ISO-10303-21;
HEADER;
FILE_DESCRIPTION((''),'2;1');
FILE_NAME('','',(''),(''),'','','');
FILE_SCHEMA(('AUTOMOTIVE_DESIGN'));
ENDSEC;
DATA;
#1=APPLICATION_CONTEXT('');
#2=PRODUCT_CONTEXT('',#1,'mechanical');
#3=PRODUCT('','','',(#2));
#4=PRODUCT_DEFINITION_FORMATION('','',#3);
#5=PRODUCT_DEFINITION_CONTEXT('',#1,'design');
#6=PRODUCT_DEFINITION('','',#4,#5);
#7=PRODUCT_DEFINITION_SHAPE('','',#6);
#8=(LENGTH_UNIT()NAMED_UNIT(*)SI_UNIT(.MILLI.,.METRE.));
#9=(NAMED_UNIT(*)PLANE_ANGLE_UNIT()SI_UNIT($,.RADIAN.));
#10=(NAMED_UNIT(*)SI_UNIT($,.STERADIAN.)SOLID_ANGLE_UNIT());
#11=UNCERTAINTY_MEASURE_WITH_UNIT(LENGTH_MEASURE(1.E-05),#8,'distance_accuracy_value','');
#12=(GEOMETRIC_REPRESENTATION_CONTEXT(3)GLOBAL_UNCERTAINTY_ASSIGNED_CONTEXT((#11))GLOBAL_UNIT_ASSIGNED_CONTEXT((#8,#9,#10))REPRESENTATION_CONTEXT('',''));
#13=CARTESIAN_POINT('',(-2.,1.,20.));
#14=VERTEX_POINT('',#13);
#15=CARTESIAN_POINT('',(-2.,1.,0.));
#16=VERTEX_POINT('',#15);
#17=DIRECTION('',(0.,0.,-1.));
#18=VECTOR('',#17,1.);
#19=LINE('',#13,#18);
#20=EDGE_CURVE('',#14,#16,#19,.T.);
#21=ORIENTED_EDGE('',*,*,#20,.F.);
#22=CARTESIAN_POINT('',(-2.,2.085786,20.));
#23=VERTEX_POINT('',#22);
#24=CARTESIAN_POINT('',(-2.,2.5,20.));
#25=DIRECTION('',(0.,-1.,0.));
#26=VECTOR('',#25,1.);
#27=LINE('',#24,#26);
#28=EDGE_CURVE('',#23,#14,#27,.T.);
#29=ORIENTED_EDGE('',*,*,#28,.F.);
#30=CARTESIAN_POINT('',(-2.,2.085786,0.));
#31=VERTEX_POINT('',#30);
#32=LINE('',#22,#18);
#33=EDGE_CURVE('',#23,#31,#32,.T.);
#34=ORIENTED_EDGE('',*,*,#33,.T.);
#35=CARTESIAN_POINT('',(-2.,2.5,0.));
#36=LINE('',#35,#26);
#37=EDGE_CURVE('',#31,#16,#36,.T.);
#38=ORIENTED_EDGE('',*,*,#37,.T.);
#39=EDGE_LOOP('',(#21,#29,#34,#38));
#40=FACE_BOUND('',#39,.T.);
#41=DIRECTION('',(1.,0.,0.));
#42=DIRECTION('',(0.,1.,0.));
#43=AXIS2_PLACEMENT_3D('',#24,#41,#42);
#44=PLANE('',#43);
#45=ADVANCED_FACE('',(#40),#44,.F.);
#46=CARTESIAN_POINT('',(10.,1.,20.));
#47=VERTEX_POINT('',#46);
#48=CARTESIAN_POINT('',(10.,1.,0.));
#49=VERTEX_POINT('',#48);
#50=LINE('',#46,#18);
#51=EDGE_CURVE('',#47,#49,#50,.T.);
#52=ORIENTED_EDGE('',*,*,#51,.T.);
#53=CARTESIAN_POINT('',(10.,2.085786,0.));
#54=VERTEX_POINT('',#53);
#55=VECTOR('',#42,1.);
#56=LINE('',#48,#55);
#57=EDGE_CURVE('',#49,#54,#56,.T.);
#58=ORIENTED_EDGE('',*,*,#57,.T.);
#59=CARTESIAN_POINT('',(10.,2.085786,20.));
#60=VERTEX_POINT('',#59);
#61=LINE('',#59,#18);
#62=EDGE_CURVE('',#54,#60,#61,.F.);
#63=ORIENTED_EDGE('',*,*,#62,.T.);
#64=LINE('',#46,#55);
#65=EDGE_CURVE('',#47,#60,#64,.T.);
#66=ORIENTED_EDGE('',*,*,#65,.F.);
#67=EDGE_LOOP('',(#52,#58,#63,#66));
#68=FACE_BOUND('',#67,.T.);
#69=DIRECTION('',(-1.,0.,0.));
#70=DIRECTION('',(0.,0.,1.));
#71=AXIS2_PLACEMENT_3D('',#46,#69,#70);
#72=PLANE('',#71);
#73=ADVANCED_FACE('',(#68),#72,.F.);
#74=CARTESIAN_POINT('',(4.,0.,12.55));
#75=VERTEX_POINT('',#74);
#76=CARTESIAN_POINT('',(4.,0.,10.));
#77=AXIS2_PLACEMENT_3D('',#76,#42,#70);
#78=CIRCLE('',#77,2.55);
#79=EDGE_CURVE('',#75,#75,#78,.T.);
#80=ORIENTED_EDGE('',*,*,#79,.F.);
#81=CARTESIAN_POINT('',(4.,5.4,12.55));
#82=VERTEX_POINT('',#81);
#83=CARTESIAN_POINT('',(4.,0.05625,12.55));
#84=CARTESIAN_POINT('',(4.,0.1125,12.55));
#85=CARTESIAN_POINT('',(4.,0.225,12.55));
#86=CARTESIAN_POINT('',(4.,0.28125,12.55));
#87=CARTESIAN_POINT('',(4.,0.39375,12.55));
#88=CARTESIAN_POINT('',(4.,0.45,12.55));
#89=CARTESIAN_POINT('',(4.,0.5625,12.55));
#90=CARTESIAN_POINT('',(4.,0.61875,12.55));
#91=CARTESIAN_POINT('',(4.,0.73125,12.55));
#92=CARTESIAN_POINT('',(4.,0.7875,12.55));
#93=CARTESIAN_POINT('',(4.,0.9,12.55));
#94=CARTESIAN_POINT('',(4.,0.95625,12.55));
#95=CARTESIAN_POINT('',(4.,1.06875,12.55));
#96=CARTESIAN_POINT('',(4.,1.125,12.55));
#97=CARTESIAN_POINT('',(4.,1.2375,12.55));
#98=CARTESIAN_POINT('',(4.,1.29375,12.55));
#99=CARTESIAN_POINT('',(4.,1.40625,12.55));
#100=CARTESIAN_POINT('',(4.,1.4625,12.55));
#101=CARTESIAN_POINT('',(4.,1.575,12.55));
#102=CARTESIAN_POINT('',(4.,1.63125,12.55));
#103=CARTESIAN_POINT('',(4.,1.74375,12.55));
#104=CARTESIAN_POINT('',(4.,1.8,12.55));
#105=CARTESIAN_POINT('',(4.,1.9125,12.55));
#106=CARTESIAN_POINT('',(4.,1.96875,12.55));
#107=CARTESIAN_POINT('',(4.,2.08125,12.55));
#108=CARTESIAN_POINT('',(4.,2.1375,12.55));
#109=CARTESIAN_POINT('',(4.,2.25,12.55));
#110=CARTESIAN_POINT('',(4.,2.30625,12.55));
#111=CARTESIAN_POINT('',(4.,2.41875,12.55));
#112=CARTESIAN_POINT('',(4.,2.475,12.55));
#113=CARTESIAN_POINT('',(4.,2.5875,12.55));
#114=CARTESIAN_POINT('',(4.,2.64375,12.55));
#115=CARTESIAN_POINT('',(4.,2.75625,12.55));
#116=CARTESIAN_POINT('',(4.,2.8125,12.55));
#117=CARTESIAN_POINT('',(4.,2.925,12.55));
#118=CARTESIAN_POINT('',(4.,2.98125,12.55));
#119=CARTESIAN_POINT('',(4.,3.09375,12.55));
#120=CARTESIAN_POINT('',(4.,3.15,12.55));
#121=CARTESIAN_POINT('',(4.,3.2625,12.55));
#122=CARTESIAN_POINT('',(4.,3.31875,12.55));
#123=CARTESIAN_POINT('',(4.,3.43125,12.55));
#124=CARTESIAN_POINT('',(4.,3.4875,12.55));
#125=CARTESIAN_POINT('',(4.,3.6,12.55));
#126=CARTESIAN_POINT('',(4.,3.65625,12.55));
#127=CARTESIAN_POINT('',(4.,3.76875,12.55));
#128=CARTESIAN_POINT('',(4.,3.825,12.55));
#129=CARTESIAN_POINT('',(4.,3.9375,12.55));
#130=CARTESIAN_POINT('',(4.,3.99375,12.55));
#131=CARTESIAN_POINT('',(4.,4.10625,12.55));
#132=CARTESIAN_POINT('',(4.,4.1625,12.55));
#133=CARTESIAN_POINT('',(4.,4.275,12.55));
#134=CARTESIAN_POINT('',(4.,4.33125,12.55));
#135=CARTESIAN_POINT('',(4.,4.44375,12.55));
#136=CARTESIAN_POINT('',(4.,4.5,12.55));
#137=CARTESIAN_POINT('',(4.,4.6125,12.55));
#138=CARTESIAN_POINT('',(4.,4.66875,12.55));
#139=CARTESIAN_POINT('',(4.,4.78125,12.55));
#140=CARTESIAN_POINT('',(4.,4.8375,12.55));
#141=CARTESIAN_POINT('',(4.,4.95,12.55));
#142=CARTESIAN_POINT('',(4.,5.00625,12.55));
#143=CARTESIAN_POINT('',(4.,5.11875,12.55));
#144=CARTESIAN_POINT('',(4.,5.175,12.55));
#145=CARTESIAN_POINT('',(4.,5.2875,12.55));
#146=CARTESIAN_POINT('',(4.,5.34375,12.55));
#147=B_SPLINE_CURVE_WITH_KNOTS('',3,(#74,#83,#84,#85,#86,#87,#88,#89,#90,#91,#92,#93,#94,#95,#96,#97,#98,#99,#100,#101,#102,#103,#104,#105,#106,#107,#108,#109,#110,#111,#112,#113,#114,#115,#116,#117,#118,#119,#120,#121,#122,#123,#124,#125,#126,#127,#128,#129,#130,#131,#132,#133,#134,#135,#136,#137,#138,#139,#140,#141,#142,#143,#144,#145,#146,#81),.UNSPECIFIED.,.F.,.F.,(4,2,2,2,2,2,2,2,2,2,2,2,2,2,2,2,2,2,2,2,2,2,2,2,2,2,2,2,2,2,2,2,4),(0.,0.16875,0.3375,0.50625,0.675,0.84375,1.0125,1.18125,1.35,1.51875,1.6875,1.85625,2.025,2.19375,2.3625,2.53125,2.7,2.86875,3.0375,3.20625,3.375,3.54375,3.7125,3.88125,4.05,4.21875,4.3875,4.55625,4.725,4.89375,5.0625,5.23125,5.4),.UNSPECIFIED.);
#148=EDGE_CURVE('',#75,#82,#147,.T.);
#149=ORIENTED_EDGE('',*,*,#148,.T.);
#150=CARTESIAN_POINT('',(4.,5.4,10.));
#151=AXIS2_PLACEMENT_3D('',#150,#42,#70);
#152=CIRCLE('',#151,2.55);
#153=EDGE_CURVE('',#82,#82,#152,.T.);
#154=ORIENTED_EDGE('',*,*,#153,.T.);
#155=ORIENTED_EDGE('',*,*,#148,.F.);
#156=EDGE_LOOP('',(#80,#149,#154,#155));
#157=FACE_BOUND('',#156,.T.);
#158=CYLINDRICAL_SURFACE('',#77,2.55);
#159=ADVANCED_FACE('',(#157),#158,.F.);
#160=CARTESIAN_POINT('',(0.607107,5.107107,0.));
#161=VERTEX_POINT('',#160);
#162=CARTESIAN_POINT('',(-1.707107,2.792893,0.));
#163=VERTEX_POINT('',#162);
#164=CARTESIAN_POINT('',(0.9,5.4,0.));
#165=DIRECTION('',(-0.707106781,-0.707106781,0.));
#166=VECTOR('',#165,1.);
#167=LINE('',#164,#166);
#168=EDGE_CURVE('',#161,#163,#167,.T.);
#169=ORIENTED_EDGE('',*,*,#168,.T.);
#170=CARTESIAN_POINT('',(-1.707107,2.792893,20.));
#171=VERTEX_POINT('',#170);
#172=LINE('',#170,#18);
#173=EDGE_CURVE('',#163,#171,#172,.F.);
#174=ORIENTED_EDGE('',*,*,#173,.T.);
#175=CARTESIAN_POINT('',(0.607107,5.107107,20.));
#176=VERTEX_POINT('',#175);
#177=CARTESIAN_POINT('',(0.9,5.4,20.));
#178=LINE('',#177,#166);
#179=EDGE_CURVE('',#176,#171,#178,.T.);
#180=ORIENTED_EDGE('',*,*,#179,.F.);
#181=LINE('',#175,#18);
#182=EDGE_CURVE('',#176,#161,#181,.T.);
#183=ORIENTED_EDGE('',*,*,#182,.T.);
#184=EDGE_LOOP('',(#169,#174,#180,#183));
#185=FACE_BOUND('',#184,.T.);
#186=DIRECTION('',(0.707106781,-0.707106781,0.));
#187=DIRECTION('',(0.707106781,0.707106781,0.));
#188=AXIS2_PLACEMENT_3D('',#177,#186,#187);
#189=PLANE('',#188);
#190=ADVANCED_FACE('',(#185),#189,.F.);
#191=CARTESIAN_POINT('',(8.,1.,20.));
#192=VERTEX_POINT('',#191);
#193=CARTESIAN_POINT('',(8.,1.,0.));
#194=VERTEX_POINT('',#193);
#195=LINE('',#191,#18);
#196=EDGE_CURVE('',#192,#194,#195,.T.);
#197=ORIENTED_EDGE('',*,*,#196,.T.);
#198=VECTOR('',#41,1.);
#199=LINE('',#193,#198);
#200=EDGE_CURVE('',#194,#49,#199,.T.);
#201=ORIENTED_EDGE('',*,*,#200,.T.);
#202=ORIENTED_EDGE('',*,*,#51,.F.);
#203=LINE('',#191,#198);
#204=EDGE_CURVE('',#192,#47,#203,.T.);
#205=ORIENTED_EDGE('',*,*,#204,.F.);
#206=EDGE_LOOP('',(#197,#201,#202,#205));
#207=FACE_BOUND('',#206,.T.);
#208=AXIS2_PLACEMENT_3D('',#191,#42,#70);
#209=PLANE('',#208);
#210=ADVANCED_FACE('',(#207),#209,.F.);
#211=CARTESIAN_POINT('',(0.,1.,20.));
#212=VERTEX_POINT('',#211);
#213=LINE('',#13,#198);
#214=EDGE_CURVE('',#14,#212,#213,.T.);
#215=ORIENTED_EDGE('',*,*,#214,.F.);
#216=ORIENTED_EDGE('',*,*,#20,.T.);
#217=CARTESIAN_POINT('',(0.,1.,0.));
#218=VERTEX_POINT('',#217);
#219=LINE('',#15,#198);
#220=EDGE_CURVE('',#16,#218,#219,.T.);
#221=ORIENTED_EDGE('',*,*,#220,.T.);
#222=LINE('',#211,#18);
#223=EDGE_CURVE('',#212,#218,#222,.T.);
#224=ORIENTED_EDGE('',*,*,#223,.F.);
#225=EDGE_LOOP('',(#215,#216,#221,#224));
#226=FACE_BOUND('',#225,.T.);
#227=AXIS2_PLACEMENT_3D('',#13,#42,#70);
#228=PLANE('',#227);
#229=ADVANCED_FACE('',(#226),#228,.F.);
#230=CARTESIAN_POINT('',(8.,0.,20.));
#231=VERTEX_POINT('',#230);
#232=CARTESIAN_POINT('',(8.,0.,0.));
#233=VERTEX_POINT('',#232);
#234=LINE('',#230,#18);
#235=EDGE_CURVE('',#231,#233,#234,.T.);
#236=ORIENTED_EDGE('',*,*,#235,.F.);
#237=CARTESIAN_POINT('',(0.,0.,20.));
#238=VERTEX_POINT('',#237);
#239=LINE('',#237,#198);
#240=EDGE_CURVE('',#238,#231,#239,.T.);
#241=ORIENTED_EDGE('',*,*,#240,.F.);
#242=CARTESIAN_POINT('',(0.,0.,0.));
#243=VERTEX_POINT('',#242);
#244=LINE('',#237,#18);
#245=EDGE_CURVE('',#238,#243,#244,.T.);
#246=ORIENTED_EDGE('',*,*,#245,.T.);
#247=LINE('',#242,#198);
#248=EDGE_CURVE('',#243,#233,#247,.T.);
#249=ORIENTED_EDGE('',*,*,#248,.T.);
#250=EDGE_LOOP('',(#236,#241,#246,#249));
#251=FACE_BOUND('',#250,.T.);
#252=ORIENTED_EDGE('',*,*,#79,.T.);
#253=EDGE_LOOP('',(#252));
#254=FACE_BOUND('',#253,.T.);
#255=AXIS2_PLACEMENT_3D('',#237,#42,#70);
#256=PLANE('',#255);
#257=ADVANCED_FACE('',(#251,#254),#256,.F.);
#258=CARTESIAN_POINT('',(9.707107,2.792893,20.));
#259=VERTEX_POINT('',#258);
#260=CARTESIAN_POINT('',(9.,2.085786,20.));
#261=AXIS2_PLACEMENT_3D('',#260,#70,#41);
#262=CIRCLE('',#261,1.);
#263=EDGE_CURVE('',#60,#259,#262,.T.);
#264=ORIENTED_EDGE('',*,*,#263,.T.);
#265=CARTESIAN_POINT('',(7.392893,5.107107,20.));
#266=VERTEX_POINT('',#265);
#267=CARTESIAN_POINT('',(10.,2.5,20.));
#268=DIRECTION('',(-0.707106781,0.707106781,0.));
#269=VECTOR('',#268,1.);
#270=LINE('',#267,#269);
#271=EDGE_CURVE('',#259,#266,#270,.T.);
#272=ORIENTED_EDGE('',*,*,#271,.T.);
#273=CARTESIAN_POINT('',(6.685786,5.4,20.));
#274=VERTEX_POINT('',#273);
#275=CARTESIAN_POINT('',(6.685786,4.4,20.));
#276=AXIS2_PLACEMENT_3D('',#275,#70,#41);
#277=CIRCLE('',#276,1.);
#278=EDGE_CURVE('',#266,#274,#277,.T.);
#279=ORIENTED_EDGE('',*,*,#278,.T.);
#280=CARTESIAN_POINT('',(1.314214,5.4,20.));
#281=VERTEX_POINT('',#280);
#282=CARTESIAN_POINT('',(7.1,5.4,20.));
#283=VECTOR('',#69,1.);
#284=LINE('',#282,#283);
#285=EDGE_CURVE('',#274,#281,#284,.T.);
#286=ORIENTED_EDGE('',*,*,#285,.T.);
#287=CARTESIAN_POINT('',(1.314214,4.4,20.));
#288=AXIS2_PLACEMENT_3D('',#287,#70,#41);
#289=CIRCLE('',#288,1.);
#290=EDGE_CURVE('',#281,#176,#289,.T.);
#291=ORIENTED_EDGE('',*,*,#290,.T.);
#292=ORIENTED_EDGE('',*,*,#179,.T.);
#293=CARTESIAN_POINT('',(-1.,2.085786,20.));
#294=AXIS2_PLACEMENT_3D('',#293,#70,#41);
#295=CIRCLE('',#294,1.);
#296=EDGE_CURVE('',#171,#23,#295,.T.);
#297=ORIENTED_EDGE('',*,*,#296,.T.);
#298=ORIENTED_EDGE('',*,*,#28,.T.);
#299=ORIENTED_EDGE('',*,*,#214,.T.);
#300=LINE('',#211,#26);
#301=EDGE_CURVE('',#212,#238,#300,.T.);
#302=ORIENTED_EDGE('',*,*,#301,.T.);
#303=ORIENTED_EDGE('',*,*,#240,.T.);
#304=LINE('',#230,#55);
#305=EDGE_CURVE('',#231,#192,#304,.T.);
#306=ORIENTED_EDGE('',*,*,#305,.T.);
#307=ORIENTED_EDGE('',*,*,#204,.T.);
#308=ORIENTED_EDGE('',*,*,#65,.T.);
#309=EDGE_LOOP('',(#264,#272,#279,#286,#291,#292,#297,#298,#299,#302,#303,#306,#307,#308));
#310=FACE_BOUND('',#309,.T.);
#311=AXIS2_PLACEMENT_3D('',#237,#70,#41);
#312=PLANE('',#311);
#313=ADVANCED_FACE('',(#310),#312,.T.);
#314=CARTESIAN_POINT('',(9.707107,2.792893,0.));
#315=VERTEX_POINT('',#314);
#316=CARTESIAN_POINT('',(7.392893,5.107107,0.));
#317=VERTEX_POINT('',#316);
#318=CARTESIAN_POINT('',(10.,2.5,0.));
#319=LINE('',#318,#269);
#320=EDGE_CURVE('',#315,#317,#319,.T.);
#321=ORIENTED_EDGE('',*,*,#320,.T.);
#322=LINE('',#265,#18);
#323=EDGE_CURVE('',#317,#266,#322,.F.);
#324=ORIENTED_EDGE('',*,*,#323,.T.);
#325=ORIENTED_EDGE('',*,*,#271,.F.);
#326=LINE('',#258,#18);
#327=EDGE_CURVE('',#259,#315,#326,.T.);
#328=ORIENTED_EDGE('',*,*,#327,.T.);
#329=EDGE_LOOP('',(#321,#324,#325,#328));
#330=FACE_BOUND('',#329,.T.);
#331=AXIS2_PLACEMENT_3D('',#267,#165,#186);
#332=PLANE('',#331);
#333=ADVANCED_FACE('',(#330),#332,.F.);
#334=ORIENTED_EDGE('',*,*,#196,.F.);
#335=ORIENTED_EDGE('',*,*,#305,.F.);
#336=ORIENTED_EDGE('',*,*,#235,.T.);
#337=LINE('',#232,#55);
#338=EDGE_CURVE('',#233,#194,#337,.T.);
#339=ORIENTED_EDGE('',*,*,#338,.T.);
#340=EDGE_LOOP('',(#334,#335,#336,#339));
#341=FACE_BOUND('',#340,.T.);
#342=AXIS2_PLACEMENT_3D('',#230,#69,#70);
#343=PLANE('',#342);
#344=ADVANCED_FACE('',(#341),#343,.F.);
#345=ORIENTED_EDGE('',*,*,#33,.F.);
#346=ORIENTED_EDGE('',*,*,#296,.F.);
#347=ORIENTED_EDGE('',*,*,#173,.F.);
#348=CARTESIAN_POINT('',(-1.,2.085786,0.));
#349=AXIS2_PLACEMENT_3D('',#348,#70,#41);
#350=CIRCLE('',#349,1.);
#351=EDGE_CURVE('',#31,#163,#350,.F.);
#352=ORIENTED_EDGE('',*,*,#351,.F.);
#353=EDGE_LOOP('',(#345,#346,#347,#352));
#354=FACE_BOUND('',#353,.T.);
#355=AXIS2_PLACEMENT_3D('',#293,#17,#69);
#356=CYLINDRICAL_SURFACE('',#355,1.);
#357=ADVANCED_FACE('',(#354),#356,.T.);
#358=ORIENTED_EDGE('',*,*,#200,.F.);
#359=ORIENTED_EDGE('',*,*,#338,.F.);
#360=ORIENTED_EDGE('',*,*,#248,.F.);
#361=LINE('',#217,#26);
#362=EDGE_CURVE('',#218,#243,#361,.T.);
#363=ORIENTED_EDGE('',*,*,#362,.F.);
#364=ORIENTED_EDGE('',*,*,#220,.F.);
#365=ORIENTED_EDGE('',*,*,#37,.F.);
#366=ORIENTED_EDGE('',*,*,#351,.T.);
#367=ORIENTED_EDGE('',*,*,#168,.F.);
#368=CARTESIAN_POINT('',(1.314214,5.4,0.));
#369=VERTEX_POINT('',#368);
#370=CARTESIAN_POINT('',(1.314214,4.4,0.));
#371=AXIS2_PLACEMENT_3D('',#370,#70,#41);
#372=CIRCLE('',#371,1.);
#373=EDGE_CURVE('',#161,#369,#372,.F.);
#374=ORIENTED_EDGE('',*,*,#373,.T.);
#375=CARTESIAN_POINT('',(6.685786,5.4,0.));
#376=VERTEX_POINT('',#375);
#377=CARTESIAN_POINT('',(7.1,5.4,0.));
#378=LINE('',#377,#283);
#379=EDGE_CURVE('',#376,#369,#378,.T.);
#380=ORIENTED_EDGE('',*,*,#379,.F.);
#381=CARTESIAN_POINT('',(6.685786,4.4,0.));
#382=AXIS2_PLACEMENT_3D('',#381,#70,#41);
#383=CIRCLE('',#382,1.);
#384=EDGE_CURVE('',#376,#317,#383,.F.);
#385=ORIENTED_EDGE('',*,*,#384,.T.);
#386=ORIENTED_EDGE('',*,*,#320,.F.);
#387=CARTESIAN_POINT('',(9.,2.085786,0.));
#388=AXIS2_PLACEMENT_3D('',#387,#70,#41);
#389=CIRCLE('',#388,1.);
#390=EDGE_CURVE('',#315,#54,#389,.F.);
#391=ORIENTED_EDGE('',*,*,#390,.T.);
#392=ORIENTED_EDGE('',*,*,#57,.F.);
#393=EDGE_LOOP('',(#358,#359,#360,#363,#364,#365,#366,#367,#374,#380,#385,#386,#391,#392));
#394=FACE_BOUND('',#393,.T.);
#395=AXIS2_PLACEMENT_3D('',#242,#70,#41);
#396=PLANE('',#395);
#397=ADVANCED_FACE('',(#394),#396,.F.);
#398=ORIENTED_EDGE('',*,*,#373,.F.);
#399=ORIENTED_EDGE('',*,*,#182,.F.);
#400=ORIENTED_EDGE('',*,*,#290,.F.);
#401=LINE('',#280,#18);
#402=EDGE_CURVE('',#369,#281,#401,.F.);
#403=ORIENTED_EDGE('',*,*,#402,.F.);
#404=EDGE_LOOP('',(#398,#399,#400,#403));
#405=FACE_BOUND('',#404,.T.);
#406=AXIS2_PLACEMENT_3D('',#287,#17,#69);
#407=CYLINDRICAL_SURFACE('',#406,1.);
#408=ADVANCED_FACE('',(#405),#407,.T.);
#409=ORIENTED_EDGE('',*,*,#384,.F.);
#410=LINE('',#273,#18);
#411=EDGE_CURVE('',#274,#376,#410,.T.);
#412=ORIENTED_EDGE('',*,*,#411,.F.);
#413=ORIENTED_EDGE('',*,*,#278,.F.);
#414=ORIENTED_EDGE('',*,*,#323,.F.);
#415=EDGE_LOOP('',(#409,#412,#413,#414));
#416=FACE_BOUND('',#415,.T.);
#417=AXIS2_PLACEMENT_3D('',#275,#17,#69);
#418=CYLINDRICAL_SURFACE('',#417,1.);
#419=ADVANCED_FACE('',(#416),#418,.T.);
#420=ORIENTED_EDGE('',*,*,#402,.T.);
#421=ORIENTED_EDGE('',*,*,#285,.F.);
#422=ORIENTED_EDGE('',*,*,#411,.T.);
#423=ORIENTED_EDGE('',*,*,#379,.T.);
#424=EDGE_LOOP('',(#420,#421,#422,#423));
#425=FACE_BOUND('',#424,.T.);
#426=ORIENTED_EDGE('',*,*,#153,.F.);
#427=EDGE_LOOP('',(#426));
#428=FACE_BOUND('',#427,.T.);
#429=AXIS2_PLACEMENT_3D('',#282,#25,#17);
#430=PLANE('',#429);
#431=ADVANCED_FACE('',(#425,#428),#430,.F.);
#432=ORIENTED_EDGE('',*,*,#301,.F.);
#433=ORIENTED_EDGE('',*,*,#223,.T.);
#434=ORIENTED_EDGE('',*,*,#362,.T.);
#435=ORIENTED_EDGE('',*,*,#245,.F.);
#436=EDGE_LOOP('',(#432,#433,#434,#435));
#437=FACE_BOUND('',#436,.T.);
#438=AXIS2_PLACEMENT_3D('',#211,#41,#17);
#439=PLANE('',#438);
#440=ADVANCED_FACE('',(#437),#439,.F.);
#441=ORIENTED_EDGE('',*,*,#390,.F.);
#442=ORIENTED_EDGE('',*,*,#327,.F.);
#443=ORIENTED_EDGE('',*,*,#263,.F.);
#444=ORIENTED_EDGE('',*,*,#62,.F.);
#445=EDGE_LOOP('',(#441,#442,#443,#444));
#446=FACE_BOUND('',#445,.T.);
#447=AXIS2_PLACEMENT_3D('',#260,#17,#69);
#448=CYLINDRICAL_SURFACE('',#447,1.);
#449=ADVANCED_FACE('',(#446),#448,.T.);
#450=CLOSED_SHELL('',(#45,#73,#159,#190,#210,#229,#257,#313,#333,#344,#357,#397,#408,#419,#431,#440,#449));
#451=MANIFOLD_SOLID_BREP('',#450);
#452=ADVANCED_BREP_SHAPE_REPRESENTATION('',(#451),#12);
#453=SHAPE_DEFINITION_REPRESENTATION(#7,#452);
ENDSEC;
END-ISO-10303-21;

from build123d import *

# Parameters (mm, degrees)
EXTRUDE1_DEPTH = 20
FILLET1_R      = 1
SKETCH2_R      = 2.55
EXTRUDE2_DEPTH = 24.003477998


with BuildPart() as part:
    # Sketch1 → Extrude1 (new body)
    with BuildSketch(Plane.XY):
        Polygon((0, 0), (8, 0), (8, 1), (10, 1), (10, 2.5), (7.1, 5.4), (0.9, 5.4), (-2, 2.5), (-2, 1), (0, 1), align=None)
    extrude(amount=EXTRUDE1_DEPTH)

    # Fillet1
    fillet1_edges = [part.edges().sort_by_distance(p)[0] for p in [
        (-2, 2.5, 10),
        (0.9, 5.4, 10),
        (7.1, 5.4, 10),
        (10, 2.5, 10),
    ]]
    fillet(fillet1_edges, radius=FILLET1_R)

    # Sketch2 → Extrude2 (cut, through all)
    with BuildSketch(Plane(origin=(0, 5.4, 0), x_dir=(1, 0, 0), z_dir=(0, 1, 0))):
        with Locations(Location((4, -10, 0), (0, 0, 270))):
            Circle(SKETCH2_R)
    extrude(amount=-EXTRUDE2_DEPTH, mode=Mode.SUBTRACT)


solid = part.part
